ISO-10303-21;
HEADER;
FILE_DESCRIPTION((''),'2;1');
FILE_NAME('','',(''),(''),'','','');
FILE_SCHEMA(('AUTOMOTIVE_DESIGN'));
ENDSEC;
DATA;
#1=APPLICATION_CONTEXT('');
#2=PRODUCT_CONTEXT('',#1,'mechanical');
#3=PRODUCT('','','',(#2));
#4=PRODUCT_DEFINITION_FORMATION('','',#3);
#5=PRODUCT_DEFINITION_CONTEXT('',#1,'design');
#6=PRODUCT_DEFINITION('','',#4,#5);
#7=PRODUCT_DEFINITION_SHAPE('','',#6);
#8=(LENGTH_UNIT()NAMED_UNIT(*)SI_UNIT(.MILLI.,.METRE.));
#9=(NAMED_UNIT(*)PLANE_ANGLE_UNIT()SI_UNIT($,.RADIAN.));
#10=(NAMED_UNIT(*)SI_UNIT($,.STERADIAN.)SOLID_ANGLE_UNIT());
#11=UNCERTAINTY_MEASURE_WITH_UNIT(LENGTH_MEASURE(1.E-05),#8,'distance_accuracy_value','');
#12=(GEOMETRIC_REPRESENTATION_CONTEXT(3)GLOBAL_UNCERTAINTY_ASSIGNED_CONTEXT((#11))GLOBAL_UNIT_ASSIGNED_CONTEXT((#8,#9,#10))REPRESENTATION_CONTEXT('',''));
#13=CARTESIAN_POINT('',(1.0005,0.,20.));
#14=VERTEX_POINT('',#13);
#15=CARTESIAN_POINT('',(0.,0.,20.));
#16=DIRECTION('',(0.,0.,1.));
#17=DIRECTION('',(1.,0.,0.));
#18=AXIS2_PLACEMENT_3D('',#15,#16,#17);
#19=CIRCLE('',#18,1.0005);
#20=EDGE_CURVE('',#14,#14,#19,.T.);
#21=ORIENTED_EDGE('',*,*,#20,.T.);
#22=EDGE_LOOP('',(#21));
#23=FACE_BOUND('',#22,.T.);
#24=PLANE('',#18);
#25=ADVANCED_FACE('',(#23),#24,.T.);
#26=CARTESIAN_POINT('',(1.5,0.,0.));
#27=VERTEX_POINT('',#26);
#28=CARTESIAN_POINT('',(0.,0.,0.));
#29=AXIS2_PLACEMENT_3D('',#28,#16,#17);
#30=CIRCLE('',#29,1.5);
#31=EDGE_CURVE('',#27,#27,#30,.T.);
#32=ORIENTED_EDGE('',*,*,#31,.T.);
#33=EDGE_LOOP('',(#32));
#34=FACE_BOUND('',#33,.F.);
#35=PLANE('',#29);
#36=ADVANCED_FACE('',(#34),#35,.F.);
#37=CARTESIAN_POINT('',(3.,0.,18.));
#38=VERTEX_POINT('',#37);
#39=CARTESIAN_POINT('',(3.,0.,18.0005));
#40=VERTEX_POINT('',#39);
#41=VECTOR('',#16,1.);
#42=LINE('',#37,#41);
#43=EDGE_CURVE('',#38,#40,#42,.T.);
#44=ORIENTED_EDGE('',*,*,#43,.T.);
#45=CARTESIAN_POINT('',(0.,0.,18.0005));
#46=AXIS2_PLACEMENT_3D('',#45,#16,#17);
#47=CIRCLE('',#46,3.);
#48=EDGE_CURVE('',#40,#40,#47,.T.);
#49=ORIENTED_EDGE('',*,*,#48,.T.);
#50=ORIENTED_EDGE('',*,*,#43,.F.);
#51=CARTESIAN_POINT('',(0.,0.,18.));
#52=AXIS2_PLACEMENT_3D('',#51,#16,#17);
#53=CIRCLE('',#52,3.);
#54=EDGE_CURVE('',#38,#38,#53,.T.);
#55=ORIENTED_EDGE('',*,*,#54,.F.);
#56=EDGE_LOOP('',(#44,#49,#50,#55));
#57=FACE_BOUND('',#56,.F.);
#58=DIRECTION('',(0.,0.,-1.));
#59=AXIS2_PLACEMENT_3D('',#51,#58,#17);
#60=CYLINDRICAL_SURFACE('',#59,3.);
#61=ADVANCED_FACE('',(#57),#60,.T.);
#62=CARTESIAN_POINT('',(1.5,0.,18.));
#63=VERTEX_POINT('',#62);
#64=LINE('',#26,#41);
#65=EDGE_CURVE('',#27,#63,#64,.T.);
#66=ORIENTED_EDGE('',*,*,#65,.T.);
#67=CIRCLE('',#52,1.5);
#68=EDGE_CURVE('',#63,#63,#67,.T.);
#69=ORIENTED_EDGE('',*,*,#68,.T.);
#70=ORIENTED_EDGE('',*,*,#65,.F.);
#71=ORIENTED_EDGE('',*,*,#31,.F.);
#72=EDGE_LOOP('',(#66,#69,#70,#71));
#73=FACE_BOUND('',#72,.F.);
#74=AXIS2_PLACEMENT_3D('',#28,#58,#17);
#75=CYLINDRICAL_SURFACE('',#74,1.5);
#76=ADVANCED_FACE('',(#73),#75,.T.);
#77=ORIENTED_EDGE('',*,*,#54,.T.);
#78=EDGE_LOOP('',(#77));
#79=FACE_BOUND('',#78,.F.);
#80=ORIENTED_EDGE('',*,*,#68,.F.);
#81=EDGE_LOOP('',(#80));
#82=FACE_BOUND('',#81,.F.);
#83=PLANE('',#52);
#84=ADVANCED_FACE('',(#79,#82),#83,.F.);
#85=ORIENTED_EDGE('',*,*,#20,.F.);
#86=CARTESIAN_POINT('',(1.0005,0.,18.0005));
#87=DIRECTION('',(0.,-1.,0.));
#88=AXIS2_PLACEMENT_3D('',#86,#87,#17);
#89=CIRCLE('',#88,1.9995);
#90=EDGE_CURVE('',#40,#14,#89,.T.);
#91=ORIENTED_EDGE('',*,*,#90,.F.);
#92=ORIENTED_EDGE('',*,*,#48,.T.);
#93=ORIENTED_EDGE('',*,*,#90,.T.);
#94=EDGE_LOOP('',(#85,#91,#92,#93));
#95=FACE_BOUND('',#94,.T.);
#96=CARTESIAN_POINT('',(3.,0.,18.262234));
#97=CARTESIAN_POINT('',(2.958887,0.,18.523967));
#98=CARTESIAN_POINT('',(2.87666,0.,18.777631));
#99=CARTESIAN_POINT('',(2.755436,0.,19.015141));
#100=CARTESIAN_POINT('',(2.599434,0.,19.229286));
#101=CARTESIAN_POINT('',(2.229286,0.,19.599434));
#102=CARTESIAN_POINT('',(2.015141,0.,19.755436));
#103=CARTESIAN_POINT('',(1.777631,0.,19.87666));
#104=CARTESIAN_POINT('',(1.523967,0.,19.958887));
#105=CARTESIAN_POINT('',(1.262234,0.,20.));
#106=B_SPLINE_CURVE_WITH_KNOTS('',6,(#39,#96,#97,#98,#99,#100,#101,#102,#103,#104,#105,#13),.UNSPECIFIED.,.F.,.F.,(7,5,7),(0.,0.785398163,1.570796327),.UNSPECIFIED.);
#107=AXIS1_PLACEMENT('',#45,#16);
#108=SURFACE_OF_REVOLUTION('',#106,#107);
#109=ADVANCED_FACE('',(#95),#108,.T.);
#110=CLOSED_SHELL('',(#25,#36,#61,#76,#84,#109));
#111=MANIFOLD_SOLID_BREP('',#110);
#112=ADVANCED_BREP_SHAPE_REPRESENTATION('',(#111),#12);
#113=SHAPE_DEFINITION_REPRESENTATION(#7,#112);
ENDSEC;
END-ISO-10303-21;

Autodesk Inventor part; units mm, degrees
ref_plane "YZ Plane" through (0, 0, 0) normal (1, 0, 0) x (0, 1, 0)
ref_plane "XZ Plane" through (0, 0, 0) normal (0, 1, 0) x (-1, 0, 0)
ref_plane "XY Plane" through (0, 0, 0) normal (0, 0, 1) x (1, 0, 0)
sketch "スケッチ1" plane through (0, 0, 0) normal (0, 0, 1) x (1, 0, 0)
  circle A0 centre (0, 0) radius 1.5
  dimension "d0" = 3
extrude "押し出し1" add sketch "スケッチ1" along normal blind 18
sketch "スケッチ2" plane through (0, 0, 18) normal (0, 0, 1) x (1, 0, 0)
  circle A0 centre (0, 0) radius 3
  dimension "d3" = 6
extrude "押し出し2" add sketch "スケッチ2" along normal blind 2
fillet "フィレット1" radius 2 1 edges at (-3, 0, 20)
thread "ねじ1" size "M3x0.5" class "6g" standard "ANSI Metric M Profile" full length
properties part number "M3ボタンボルト　18" material "鉄 灰色"
